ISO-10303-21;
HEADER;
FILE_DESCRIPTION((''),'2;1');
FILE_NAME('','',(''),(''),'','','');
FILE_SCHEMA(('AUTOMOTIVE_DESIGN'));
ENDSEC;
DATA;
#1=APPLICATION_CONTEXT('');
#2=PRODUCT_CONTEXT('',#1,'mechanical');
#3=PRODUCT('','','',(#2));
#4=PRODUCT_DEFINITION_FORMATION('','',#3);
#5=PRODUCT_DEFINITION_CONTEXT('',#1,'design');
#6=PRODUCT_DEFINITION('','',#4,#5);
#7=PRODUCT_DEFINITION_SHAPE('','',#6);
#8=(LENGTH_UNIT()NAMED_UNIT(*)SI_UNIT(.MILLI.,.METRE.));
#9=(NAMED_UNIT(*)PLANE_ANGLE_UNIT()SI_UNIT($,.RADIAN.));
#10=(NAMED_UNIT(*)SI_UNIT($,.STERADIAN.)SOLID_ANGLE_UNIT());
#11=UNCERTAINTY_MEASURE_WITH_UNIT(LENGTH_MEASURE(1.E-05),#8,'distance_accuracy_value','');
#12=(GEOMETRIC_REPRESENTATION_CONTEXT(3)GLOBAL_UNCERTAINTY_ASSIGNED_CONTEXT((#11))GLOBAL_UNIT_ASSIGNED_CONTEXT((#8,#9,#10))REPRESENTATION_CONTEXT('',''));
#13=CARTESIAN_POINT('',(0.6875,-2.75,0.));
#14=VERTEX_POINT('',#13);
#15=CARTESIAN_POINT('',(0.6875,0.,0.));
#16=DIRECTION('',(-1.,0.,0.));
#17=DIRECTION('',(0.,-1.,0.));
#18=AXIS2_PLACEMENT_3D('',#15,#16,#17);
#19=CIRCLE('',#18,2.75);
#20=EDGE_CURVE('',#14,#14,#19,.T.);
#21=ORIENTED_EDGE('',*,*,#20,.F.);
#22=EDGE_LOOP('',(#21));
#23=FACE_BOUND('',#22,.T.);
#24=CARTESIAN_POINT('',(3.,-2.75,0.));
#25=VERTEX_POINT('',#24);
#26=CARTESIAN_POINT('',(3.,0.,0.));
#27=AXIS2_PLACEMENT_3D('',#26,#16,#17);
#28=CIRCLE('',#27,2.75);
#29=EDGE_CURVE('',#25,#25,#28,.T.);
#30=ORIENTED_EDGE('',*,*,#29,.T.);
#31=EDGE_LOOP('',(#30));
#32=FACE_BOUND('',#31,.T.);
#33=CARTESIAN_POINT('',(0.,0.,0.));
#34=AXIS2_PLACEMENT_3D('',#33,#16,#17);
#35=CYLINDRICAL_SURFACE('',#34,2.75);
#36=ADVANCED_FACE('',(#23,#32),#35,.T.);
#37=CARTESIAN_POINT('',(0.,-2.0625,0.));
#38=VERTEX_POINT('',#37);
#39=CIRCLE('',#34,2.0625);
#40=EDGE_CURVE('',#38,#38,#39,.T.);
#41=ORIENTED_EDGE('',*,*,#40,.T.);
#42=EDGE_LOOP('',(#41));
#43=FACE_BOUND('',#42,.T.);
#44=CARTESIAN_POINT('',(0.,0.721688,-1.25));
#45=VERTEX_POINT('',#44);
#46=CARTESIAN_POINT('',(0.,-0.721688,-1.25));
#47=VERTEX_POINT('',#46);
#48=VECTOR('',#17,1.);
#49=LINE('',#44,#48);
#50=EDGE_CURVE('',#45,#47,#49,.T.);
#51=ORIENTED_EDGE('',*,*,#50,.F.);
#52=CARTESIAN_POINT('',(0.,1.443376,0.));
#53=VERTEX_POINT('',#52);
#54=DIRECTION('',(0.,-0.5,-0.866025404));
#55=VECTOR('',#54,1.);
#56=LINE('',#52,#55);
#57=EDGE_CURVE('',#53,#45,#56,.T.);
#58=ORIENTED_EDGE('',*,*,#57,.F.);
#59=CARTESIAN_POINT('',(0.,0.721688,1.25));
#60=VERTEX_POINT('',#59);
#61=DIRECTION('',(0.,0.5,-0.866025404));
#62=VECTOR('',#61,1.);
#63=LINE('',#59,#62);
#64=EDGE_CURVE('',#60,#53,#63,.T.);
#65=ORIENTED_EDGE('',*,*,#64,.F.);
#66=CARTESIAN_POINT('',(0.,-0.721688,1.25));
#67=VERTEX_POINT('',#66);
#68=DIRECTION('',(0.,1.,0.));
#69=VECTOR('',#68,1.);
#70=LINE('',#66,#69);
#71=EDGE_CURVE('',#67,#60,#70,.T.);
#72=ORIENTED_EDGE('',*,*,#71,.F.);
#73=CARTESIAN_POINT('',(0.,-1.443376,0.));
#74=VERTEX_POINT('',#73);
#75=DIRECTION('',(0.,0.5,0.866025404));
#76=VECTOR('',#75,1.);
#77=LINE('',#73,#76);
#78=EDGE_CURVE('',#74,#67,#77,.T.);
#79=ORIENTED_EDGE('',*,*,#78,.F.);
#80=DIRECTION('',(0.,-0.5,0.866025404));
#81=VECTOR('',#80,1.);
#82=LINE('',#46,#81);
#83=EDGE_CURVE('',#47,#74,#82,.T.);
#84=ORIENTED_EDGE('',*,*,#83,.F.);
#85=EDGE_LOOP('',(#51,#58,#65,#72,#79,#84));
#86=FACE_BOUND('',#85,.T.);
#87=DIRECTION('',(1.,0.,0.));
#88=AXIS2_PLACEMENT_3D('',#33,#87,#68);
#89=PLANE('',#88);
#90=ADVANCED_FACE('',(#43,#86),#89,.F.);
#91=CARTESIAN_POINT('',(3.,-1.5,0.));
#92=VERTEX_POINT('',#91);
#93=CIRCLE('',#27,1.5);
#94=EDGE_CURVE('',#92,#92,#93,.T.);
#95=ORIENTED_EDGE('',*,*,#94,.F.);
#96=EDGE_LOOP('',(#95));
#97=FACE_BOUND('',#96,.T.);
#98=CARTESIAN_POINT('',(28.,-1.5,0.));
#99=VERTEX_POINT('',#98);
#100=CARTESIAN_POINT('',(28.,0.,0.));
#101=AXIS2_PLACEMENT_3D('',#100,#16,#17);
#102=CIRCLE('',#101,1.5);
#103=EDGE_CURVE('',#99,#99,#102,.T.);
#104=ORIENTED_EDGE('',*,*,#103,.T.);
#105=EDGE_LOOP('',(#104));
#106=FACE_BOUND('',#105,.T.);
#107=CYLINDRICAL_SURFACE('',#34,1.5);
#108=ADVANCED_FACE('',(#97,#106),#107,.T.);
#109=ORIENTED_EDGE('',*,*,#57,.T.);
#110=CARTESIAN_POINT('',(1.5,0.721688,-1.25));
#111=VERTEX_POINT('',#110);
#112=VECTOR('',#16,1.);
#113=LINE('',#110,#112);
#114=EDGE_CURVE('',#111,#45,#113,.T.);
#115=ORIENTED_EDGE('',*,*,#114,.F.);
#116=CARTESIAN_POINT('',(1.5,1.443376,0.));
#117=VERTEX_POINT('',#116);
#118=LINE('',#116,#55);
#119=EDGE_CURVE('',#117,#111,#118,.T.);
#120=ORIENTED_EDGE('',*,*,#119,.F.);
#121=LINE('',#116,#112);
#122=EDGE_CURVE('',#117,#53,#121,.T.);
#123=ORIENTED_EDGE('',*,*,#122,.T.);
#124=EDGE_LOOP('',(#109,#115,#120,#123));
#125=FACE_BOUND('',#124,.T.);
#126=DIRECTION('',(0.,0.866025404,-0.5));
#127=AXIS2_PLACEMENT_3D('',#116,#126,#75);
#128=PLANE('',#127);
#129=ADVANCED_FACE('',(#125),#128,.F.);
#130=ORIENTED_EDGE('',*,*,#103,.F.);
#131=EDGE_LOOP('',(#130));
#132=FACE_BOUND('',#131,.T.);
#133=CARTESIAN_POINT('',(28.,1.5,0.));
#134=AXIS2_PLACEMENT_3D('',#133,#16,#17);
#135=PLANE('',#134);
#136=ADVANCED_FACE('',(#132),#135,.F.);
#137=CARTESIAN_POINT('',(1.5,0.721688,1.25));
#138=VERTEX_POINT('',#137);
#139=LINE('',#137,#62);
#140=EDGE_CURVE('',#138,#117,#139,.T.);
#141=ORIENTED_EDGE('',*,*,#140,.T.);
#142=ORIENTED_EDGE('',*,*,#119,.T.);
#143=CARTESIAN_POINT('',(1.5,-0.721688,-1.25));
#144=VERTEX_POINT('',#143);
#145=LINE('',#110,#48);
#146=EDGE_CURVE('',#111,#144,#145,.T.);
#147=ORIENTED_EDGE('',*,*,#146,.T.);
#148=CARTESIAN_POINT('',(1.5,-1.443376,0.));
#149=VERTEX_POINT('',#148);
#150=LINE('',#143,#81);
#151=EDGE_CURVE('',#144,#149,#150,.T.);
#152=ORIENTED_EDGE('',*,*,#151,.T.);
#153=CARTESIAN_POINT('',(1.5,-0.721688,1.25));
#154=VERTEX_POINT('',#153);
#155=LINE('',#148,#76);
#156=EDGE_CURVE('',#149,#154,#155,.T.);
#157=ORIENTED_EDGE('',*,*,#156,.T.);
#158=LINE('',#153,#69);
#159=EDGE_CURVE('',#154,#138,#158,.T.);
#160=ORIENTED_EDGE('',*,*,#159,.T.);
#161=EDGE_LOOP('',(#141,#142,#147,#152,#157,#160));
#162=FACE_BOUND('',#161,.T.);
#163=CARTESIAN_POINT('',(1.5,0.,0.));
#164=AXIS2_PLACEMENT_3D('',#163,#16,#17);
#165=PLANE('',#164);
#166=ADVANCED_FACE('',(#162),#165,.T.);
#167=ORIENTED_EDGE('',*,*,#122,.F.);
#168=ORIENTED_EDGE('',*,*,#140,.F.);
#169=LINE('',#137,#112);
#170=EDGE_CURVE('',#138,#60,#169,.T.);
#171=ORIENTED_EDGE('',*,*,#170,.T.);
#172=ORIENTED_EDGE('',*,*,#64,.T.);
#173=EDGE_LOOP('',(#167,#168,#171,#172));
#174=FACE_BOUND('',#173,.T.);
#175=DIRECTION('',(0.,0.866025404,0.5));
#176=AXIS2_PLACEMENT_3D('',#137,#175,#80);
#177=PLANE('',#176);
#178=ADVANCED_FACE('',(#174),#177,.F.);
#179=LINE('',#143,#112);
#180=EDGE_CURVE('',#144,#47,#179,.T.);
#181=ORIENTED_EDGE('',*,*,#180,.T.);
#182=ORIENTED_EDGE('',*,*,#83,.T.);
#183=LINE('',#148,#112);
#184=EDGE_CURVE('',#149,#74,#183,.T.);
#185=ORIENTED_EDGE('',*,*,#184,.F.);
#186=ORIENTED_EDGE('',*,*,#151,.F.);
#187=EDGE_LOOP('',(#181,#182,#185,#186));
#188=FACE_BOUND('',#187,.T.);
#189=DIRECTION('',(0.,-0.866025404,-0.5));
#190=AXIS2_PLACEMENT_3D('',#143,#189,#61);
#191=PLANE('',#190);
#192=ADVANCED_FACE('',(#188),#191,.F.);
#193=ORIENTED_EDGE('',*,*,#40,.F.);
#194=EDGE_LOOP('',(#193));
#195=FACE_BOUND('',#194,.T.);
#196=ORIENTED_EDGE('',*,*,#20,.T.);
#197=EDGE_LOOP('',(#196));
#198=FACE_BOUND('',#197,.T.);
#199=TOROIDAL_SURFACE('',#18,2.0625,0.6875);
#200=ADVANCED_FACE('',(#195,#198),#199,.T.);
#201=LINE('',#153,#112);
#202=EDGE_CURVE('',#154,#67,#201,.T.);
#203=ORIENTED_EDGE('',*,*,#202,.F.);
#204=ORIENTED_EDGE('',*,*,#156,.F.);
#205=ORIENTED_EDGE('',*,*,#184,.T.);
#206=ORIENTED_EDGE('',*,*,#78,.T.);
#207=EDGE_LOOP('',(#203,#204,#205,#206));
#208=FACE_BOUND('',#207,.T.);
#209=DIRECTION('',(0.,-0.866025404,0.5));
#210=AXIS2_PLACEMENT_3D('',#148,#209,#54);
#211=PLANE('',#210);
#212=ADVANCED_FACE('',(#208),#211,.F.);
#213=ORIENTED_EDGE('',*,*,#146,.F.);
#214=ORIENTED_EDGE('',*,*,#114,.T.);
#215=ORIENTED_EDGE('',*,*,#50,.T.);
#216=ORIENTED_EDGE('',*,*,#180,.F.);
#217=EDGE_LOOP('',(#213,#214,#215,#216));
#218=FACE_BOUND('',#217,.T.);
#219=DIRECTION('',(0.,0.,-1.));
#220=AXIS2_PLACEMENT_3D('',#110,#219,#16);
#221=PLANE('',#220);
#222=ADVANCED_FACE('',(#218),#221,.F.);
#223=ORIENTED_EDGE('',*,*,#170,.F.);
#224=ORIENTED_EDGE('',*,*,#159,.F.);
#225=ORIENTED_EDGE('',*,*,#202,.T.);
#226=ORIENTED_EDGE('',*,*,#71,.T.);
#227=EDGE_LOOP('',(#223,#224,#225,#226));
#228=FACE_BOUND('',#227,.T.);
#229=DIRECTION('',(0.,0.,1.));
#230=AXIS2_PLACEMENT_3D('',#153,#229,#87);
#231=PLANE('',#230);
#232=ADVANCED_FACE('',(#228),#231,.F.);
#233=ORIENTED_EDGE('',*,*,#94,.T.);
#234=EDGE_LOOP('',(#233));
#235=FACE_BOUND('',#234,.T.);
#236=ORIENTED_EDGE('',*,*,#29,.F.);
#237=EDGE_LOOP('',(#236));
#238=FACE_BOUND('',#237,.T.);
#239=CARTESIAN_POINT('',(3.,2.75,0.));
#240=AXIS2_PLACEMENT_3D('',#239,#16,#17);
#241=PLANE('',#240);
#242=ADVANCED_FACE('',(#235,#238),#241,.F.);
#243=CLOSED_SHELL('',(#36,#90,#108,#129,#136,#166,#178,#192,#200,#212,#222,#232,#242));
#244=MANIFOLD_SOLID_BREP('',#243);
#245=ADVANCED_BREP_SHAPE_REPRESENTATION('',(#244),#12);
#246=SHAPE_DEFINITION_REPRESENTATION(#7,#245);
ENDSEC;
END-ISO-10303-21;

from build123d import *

# Parameters (mm, degrees)
CUT_EXTRUDE1_DEPTH = 1.5


with BuildPart() as part:
    # Sketch1 → Revolve1 (revolve)
    with BuildSketch(Plane.XY, mode=Mode.PRIVATE) as revolve1_sk:
        with BuildLine():
            Line((0, 0), (0, 2.0625))
            ThreePointArc((0, 2.0625), (0.201364088, 2.548635912), (0.6875, 2.75))
            Line((0.6875, 2.75), (3, 2.75))
            Line((3, 2.75), (3, 1.5))
            Line((3, 1.5), (28, 1.5))
            Line((28, 1.5), (28, 0))
            Line((28, 0), (0, 0))
        make_face()
    revolve(revolve1_sk.sketch.rotate(Axis((0, 0, 0), (1, 0, 0)), 180), axis=Axis((0, 0, 0), (1, 0, 0)))

    # Sketch2 → Cut-Extrude1 (cut)
    with BuildSketch(Plane.ZY):
        Polygon((0, 1.443375673), (-1.25, 0.721687836), (-1.25, -0.721687836), (0, -1.443375673), (1.25, -0.721687836), (1.25, 0.721687836), align=None)
    extrude(amount=-CUT_EXTRUDE1_DEPTH, mode=Mode.SUBTRACT)


solid = part.part
